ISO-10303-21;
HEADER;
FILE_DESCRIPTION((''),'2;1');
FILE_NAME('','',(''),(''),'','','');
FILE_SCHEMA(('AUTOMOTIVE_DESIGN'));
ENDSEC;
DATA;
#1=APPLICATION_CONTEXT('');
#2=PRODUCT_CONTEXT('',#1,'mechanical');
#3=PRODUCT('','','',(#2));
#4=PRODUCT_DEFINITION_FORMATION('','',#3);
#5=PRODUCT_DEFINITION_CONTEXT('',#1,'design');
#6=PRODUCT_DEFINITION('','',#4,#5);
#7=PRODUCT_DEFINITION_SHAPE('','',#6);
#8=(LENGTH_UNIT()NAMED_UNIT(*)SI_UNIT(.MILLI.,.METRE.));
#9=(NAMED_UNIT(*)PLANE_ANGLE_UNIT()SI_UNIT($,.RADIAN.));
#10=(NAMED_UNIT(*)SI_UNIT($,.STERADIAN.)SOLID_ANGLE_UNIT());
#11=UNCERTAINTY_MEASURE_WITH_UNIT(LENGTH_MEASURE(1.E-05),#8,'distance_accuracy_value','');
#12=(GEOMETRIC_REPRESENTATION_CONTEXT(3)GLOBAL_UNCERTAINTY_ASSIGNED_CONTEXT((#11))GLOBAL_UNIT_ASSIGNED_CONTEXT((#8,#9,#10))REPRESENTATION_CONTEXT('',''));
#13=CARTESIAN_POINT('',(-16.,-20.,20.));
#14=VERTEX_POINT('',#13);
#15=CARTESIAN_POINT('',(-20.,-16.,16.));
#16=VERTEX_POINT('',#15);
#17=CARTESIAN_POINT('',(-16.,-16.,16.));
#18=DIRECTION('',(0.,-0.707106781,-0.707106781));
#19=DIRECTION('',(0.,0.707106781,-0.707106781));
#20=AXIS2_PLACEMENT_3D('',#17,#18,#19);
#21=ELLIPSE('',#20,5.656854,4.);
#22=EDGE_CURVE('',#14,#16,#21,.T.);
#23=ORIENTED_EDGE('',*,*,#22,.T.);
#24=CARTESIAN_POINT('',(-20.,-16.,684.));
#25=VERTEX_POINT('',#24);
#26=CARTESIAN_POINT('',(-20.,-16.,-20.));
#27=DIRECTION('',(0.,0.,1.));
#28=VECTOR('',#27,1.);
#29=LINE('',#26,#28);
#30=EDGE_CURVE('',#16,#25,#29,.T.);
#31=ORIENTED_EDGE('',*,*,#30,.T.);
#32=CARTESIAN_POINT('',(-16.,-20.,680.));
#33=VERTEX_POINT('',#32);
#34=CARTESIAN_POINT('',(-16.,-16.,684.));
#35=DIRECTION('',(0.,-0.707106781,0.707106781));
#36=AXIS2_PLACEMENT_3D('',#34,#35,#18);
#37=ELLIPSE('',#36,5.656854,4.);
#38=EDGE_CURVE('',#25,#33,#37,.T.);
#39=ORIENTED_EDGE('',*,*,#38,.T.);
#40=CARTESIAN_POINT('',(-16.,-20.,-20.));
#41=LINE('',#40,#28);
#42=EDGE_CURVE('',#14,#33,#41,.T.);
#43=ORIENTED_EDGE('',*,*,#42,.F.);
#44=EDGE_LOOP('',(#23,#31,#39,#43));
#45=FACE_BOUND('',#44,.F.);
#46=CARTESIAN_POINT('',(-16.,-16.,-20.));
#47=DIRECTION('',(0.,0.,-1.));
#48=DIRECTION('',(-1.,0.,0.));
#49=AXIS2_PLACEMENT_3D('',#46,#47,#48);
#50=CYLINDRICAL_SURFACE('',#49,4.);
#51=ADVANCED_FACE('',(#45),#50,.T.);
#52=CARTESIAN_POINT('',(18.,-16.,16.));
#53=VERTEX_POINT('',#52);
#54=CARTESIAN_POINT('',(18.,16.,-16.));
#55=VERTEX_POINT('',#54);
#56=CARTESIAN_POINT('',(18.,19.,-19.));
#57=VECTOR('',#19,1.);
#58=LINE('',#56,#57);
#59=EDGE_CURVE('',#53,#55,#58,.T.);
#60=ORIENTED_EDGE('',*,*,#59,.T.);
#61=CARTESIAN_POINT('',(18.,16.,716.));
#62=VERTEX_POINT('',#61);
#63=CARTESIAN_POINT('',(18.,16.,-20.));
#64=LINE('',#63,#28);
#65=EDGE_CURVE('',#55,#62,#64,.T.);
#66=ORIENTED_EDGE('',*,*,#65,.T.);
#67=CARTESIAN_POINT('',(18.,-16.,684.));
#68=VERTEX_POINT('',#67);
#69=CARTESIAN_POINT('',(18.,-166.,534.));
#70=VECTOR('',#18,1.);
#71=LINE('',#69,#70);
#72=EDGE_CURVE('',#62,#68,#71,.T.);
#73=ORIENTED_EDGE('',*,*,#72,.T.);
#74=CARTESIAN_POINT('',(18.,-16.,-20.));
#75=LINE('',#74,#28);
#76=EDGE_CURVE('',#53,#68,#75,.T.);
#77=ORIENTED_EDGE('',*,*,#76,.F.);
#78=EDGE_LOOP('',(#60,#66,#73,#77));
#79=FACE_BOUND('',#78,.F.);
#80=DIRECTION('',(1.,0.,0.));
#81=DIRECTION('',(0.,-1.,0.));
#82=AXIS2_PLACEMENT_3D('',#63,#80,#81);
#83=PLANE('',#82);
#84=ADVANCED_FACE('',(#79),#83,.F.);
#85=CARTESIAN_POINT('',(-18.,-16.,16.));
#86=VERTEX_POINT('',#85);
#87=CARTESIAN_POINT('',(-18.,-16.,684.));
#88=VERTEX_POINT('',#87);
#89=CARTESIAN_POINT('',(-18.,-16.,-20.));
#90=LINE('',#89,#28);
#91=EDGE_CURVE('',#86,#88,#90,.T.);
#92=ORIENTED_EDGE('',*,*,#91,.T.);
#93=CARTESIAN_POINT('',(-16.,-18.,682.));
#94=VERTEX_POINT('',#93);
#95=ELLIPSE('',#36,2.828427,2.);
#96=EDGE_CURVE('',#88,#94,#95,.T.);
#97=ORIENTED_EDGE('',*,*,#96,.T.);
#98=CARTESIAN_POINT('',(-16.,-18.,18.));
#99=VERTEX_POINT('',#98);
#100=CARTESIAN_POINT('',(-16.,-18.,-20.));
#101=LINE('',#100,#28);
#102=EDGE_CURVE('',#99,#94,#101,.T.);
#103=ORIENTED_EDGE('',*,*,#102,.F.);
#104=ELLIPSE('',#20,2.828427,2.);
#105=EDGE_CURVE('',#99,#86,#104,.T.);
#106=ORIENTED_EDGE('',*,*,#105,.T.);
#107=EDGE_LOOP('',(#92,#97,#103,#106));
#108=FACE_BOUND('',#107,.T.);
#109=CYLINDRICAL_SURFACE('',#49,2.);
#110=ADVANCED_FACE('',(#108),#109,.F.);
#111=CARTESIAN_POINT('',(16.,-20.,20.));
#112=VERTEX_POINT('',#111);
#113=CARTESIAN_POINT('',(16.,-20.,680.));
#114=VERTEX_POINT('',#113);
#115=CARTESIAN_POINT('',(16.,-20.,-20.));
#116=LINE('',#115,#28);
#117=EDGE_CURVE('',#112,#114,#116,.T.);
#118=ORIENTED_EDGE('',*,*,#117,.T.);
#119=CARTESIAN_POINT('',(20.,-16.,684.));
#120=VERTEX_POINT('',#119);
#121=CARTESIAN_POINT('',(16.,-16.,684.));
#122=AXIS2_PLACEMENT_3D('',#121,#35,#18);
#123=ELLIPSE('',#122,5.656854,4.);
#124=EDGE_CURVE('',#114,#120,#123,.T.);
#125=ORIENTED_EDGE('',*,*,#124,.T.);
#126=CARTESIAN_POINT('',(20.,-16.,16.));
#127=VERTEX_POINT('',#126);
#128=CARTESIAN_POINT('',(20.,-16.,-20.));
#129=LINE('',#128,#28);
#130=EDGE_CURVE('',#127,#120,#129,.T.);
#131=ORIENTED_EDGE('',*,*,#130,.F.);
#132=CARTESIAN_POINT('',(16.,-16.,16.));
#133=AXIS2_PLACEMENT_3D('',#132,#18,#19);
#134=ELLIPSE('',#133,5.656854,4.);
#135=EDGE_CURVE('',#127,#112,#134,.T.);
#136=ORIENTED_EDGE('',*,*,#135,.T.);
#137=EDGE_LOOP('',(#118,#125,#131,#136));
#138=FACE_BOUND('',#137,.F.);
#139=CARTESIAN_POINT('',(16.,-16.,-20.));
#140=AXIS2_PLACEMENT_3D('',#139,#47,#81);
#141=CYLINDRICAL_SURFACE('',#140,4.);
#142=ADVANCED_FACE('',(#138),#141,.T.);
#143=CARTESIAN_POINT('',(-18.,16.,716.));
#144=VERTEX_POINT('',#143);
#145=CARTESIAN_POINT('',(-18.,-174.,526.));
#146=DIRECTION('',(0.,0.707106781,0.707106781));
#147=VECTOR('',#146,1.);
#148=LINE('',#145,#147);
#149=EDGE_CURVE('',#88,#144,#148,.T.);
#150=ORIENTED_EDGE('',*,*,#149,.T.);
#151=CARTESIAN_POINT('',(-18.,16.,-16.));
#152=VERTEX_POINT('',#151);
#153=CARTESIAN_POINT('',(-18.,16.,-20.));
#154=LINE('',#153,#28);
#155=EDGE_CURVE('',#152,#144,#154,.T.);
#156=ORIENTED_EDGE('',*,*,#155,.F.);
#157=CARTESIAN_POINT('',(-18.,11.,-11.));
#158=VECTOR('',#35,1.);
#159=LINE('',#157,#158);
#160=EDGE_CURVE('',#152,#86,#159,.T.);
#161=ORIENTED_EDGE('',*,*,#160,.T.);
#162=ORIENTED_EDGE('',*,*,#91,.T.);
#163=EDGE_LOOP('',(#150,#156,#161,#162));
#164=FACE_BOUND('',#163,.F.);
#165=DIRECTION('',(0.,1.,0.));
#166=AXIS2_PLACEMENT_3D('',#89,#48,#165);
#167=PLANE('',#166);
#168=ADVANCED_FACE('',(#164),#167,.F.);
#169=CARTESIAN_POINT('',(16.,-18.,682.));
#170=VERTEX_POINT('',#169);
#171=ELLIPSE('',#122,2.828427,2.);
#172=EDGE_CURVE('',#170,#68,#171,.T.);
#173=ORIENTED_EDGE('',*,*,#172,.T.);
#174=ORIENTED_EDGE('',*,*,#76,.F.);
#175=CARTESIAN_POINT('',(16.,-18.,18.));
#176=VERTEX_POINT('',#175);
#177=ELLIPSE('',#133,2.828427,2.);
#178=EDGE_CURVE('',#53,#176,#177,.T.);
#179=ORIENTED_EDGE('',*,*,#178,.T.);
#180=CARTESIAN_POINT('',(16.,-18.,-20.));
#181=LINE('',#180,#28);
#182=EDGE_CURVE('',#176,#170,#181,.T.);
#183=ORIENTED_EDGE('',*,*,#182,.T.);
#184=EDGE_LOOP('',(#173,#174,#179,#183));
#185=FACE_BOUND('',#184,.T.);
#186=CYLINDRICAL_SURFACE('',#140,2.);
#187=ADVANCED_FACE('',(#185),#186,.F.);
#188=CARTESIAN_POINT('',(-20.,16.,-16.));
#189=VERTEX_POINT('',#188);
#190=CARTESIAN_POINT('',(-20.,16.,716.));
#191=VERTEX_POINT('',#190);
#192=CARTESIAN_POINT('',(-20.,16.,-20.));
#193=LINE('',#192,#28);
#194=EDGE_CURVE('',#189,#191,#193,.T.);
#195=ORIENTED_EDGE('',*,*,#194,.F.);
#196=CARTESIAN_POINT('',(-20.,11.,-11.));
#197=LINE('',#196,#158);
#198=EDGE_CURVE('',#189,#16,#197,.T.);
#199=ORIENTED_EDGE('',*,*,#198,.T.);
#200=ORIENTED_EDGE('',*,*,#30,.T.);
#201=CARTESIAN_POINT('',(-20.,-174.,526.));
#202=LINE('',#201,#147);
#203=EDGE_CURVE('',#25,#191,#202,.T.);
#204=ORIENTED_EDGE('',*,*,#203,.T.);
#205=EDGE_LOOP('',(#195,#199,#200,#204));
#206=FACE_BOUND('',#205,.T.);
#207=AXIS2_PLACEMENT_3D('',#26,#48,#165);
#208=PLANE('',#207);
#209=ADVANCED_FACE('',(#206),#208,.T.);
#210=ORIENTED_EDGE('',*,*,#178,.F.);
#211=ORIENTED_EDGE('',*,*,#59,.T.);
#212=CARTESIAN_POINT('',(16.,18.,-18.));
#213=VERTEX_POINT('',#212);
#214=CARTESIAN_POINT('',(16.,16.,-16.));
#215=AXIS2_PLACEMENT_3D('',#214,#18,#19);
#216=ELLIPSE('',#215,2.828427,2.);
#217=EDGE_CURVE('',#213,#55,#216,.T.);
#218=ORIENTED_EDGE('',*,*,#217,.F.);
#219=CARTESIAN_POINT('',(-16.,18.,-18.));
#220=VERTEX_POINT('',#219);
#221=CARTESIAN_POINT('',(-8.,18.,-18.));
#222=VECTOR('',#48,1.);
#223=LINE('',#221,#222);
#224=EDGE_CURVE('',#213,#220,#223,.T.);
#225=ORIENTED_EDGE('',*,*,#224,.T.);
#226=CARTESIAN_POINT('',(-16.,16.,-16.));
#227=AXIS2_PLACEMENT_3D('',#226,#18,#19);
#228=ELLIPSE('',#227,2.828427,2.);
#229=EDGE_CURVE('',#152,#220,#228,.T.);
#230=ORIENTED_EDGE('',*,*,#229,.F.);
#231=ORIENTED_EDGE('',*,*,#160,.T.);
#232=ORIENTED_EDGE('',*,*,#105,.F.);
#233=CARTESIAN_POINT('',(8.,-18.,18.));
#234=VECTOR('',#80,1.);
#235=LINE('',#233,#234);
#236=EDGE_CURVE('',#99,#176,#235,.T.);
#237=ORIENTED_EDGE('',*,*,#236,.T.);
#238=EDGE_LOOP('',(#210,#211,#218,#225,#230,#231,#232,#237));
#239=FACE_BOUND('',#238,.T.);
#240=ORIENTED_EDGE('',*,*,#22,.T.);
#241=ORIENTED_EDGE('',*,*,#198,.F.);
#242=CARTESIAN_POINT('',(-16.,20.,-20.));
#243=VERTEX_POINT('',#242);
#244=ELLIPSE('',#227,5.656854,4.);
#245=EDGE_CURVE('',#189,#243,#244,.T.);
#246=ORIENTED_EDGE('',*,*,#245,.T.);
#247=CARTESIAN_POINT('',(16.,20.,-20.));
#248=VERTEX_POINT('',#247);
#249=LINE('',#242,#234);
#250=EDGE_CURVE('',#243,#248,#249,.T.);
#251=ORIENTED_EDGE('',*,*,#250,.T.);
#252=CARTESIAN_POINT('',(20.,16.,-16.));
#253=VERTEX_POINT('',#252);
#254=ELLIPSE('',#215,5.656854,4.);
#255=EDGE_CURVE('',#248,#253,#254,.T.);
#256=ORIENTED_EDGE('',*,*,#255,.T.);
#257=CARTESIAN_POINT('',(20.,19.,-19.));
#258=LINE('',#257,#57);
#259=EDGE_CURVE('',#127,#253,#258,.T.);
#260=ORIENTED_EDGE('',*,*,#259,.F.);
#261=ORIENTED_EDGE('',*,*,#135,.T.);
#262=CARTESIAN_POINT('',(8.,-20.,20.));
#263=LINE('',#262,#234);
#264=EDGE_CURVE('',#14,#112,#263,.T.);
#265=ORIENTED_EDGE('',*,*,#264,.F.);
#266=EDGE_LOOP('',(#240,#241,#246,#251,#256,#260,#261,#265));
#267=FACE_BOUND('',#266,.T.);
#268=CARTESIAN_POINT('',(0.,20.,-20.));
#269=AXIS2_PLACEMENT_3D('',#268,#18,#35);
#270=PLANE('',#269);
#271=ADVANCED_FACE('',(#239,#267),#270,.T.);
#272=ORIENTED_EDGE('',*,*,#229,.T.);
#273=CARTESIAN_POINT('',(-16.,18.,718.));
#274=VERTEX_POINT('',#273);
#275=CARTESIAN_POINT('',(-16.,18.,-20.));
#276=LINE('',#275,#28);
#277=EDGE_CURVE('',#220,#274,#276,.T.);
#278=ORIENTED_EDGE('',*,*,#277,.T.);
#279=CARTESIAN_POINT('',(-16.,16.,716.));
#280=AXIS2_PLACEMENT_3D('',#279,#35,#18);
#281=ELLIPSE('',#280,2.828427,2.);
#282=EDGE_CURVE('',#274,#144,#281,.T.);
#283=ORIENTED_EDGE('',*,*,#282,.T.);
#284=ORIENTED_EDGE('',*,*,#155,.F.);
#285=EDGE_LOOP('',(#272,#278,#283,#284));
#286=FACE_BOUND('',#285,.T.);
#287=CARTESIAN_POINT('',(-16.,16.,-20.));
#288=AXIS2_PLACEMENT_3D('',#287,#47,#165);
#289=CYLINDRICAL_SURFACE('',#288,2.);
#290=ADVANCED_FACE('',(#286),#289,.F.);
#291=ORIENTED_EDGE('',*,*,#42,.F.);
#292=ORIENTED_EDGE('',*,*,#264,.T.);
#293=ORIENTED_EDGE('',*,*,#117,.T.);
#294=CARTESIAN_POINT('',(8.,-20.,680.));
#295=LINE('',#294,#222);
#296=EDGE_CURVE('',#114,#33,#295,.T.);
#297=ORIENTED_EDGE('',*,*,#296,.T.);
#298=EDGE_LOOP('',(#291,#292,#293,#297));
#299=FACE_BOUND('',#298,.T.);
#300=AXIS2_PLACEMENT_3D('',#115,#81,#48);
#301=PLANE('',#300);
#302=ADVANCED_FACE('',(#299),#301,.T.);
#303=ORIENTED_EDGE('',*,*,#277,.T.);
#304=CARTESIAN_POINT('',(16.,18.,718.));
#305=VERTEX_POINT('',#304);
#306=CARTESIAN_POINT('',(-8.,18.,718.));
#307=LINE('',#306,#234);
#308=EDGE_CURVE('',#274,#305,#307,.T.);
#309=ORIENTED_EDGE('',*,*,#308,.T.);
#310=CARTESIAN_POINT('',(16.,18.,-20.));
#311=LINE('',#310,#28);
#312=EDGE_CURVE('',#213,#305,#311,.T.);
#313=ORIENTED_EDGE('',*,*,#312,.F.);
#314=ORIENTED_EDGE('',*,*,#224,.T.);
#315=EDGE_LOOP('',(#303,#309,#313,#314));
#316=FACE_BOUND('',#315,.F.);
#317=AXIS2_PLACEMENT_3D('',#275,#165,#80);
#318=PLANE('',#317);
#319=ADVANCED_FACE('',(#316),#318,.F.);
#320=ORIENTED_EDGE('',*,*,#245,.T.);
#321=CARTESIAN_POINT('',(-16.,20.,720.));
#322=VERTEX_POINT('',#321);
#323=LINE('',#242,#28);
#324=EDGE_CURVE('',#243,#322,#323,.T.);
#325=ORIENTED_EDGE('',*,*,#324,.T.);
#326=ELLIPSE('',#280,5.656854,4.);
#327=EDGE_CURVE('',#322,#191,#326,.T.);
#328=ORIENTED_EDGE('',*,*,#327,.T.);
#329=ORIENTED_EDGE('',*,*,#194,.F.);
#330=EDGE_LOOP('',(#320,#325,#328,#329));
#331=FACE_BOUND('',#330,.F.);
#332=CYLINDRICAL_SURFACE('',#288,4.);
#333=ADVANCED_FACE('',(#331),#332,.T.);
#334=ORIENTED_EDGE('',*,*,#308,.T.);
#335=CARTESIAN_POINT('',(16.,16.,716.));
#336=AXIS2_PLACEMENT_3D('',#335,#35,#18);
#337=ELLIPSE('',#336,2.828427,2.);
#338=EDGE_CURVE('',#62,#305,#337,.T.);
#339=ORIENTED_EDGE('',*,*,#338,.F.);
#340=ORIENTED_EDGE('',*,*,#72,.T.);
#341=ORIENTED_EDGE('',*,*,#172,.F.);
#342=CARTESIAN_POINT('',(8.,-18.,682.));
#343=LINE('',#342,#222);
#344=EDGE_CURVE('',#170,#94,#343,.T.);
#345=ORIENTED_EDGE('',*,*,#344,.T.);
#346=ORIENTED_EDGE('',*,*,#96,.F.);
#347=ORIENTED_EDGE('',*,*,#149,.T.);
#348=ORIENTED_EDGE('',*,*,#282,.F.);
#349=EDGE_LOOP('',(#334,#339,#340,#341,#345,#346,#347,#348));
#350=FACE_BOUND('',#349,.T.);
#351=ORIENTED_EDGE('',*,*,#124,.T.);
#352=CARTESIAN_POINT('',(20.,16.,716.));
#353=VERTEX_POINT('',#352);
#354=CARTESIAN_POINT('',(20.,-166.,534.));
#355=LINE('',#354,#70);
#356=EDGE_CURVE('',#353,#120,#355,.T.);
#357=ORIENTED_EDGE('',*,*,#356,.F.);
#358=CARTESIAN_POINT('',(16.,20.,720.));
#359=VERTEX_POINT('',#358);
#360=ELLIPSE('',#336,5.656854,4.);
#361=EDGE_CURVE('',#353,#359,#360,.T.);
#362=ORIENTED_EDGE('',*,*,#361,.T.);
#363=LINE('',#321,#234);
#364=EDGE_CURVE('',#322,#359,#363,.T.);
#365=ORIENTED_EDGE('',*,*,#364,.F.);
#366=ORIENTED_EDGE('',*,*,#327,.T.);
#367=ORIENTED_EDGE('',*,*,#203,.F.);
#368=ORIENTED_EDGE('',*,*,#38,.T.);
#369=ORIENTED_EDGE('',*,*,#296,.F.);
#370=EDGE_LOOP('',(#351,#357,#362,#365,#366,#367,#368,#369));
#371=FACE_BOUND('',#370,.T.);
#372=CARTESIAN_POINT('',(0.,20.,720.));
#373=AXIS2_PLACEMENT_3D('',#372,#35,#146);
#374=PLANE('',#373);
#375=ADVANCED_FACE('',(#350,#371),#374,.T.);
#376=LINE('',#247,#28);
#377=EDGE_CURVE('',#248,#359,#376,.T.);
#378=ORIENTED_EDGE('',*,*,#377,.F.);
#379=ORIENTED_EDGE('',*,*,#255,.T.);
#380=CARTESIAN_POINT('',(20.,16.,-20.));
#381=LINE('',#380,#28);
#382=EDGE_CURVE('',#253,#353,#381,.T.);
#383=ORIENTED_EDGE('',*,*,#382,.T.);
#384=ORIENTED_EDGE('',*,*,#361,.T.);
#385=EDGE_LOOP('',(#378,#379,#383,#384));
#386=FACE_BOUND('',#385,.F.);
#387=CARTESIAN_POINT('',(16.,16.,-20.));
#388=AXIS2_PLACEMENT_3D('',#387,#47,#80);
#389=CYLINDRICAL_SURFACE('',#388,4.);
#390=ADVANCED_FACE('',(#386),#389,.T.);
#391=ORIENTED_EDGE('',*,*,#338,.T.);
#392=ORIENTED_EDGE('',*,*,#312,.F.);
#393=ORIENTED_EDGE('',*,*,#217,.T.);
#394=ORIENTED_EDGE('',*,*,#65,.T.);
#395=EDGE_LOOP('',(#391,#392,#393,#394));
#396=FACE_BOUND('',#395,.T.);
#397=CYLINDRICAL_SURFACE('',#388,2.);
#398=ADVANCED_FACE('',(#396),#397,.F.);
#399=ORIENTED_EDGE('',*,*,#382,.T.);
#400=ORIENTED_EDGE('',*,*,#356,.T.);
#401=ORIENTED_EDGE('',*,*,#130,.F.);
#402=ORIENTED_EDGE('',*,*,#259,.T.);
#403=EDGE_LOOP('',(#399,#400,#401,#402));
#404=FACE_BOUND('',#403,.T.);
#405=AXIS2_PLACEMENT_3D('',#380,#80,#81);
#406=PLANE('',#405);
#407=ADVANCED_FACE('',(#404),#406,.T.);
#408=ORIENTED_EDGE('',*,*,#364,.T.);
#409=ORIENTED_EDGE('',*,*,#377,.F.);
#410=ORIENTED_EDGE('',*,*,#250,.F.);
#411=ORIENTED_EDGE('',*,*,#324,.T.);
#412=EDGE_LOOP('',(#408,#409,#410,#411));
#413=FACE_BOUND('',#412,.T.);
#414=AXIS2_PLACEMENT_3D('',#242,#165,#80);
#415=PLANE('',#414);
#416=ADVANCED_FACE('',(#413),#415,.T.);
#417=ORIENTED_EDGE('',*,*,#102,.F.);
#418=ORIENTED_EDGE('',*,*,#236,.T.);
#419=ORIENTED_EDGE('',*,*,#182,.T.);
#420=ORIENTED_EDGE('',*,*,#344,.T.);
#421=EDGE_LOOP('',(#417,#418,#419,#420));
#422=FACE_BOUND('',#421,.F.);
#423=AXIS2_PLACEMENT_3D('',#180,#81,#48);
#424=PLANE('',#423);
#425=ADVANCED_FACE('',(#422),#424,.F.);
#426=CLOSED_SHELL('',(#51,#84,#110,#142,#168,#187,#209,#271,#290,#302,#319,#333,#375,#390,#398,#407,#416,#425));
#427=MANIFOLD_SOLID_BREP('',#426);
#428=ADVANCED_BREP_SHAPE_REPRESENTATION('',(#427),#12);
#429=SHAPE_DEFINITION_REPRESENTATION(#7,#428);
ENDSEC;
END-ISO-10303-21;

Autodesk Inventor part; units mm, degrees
ref_plane "Start plane" through (0, 0, -20) normal (0, 0, 1) x (1, 0, 0)
ref_plane "End plane" through (0, 0, 720) normal (0, 0, 1) x (1, 0, 0)
sketch "Sketch" plane through (0, 0, 0) normal (0, 0, 1) x (1, 0, 0)
  line L0 (-20, -16) -> (-20, 16)
  line L1 (-16, 20) -> (16, 20)
  line L2 (20, 16) -> (20, -16)
  line L3 (16, -20) -> (-16, -20)
  arc A0 (-20, -16) -> (-16, -20) centre (-16, -16) ccw
  arc A1 (20, 16) -> (16, 20) centre (16, 16) ccw
  arc A2 (-16, 20) -> (-20, 16) centre (-16, 16) ccw
  arc A3 (16, -20) -> (20, -16) centre (16, -16) ccw
  arc A4 (-16, 18) -> (-18, 16) centre (-16, 16) ccw
  line L4 (-16, 18) -> (16, 18)
  arc A5 (18, 16) -> (16, 18) centre (16, 16) ccw
  line L5 (18, 16) -> (18, -16)
  arc A6 (16, -18) -> (18, -16) centre (16, -16) ccw
  line L6 (16, -18) -> (-16, -18)
  arc A7 (-18, -16) -> (-16, -18) centre (-16, -16) ccw
  line L7 (-18, -16) -> (-18, 16)
  line L8 (0, 29.1598) -> (0, -29.1598) construction
  line L9 (-29.1598, 0) -> (29.1598, 0) construction
  dimension "d7" = 4
  dimension "d9" = 40
  dimension "d11" = 40
  dimension "d12" = 2
  dimension "d15" = 20
  dimension "d16" = 20
extrude "Body" add sketch "Sketch" along normal up to surface (740 mm away) from surface at -20
sketch "Sketch3" plane through (0, 0, 0) normal (0, 0, 1) x (1, 0, 0)
  line L0 (0, 0) -> (10, 0)
ref_plane "Work Plane3" through (0, 0, 0) normal (0, -1, 0) x (1, 0, 0)
sketch "Sketch4" plane through (0, 0, 0) normal (0, -1, 0) x (1, 0, 0)
  line L0 (-2, -20) -> (12, -20)
  line L1 (-2, 720) -> (12, 720)
  dimension "d18" = 740
ref_plane "Work Plane4" through (0, 20, -20) normal (0, -0.7071, -0.7071) x (1, 0, 0)
split "Split1" plane through (0, 20, -20) removes the side toward (0, -0.7071, -0.7071)
ref_plane "Work Plane5" through (0, 20, 720) normal (0, -0.7071, 0.7071) x (1, 0, 0)
split "Split2" plane through (0, 20, 720) removes the side toward (0, -0.7071, 0.7071)
equation "\"d7\" = G_IR"
equation "\"d9\" = G_W"
equation "\"d11\" = G_H"
equation "\"d12\" = G_T"
equation "\"d15\" = 0.5 * d9"
equation "\"d16\" = 0.5 * d11"
equation "\"d3\" = G_L"
equation "\"G_W\" = 40"
equation "\"G_H\" = 40"
equation "\"G_T\" = 2"
equation "\"G_IR\" = 4"
equation "\"G_L\" = d18"
equation "\"G_OFFSET_START\" = 20"
equation "\"G_OFFSET_END\" = 20"
equation "\"d13\" = -G_OFFSET_START"
equation "\"d14\" = G_OFFSET_END + B_L"
equation "\"B_L\" = 700"
properties part number "ISO 4019 - 40x40x2 - 740" material "Steel, Mild"
